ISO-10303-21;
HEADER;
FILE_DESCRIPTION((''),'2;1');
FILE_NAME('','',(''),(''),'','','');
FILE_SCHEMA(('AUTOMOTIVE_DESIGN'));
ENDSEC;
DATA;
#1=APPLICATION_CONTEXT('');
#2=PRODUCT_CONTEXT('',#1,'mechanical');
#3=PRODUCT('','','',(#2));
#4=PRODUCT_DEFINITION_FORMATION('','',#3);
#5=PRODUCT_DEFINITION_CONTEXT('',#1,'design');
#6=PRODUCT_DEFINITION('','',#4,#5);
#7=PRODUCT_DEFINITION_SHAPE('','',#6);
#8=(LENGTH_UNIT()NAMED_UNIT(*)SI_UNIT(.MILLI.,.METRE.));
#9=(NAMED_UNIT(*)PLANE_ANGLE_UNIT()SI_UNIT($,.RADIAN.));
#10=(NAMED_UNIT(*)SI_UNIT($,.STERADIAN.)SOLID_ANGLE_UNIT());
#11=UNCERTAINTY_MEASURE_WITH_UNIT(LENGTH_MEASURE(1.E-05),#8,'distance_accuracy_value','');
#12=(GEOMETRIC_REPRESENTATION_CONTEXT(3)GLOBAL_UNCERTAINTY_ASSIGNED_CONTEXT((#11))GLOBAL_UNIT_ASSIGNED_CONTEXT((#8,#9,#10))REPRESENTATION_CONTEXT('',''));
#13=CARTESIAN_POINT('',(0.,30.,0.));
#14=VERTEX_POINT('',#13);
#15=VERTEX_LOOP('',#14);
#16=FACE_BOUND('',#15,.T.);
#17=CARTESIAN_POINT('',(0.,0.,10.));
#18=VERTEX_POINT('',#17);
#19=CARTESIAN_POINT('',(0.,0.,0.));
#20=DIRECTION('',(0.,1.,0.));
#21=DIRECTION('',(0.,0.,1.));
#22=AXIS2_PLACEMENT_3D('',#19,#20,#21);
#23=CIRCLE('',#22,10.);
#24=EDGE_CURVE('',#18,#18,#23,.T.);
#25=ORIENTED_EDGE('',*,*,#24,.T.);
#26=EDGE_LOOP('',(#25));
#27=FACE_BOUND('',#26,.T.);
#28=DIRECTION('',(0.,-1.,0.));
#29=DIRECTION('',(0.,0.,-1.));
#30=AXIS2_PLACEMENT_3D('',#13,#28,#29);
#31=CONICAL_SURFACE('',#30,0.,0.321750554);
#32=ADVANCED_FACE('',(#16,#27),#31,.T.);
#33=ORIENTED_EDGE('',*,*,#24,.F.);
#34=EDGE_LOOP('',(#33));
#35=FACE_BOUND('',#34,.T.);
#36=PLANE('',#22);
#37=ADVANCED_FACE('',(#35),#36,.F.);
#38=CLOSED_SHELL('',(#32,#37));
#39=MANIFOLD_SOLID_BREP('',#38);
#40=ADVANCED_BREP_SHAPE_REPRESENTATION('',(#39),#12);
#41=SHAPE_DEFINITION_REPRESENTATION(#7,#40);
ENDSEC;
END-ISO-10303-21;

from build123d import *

# Parameters (mm, degrees)
SKETCH_1_R = 10


with BuildPart() as part:
    # 草图1 → 放样1 section 0
    with BuildSketch(Plane(origin=(0, 0, 0), x_dir=(1, 0, 0), z_dir=(0, 1, 0)), mode=Mode.PRIVATE) as loft_1_s0:
        Circle(SKETCH_1_R)
    loft([Vertex(0, 30, 0), loft_1_s0.sketch])


solid = part.part
